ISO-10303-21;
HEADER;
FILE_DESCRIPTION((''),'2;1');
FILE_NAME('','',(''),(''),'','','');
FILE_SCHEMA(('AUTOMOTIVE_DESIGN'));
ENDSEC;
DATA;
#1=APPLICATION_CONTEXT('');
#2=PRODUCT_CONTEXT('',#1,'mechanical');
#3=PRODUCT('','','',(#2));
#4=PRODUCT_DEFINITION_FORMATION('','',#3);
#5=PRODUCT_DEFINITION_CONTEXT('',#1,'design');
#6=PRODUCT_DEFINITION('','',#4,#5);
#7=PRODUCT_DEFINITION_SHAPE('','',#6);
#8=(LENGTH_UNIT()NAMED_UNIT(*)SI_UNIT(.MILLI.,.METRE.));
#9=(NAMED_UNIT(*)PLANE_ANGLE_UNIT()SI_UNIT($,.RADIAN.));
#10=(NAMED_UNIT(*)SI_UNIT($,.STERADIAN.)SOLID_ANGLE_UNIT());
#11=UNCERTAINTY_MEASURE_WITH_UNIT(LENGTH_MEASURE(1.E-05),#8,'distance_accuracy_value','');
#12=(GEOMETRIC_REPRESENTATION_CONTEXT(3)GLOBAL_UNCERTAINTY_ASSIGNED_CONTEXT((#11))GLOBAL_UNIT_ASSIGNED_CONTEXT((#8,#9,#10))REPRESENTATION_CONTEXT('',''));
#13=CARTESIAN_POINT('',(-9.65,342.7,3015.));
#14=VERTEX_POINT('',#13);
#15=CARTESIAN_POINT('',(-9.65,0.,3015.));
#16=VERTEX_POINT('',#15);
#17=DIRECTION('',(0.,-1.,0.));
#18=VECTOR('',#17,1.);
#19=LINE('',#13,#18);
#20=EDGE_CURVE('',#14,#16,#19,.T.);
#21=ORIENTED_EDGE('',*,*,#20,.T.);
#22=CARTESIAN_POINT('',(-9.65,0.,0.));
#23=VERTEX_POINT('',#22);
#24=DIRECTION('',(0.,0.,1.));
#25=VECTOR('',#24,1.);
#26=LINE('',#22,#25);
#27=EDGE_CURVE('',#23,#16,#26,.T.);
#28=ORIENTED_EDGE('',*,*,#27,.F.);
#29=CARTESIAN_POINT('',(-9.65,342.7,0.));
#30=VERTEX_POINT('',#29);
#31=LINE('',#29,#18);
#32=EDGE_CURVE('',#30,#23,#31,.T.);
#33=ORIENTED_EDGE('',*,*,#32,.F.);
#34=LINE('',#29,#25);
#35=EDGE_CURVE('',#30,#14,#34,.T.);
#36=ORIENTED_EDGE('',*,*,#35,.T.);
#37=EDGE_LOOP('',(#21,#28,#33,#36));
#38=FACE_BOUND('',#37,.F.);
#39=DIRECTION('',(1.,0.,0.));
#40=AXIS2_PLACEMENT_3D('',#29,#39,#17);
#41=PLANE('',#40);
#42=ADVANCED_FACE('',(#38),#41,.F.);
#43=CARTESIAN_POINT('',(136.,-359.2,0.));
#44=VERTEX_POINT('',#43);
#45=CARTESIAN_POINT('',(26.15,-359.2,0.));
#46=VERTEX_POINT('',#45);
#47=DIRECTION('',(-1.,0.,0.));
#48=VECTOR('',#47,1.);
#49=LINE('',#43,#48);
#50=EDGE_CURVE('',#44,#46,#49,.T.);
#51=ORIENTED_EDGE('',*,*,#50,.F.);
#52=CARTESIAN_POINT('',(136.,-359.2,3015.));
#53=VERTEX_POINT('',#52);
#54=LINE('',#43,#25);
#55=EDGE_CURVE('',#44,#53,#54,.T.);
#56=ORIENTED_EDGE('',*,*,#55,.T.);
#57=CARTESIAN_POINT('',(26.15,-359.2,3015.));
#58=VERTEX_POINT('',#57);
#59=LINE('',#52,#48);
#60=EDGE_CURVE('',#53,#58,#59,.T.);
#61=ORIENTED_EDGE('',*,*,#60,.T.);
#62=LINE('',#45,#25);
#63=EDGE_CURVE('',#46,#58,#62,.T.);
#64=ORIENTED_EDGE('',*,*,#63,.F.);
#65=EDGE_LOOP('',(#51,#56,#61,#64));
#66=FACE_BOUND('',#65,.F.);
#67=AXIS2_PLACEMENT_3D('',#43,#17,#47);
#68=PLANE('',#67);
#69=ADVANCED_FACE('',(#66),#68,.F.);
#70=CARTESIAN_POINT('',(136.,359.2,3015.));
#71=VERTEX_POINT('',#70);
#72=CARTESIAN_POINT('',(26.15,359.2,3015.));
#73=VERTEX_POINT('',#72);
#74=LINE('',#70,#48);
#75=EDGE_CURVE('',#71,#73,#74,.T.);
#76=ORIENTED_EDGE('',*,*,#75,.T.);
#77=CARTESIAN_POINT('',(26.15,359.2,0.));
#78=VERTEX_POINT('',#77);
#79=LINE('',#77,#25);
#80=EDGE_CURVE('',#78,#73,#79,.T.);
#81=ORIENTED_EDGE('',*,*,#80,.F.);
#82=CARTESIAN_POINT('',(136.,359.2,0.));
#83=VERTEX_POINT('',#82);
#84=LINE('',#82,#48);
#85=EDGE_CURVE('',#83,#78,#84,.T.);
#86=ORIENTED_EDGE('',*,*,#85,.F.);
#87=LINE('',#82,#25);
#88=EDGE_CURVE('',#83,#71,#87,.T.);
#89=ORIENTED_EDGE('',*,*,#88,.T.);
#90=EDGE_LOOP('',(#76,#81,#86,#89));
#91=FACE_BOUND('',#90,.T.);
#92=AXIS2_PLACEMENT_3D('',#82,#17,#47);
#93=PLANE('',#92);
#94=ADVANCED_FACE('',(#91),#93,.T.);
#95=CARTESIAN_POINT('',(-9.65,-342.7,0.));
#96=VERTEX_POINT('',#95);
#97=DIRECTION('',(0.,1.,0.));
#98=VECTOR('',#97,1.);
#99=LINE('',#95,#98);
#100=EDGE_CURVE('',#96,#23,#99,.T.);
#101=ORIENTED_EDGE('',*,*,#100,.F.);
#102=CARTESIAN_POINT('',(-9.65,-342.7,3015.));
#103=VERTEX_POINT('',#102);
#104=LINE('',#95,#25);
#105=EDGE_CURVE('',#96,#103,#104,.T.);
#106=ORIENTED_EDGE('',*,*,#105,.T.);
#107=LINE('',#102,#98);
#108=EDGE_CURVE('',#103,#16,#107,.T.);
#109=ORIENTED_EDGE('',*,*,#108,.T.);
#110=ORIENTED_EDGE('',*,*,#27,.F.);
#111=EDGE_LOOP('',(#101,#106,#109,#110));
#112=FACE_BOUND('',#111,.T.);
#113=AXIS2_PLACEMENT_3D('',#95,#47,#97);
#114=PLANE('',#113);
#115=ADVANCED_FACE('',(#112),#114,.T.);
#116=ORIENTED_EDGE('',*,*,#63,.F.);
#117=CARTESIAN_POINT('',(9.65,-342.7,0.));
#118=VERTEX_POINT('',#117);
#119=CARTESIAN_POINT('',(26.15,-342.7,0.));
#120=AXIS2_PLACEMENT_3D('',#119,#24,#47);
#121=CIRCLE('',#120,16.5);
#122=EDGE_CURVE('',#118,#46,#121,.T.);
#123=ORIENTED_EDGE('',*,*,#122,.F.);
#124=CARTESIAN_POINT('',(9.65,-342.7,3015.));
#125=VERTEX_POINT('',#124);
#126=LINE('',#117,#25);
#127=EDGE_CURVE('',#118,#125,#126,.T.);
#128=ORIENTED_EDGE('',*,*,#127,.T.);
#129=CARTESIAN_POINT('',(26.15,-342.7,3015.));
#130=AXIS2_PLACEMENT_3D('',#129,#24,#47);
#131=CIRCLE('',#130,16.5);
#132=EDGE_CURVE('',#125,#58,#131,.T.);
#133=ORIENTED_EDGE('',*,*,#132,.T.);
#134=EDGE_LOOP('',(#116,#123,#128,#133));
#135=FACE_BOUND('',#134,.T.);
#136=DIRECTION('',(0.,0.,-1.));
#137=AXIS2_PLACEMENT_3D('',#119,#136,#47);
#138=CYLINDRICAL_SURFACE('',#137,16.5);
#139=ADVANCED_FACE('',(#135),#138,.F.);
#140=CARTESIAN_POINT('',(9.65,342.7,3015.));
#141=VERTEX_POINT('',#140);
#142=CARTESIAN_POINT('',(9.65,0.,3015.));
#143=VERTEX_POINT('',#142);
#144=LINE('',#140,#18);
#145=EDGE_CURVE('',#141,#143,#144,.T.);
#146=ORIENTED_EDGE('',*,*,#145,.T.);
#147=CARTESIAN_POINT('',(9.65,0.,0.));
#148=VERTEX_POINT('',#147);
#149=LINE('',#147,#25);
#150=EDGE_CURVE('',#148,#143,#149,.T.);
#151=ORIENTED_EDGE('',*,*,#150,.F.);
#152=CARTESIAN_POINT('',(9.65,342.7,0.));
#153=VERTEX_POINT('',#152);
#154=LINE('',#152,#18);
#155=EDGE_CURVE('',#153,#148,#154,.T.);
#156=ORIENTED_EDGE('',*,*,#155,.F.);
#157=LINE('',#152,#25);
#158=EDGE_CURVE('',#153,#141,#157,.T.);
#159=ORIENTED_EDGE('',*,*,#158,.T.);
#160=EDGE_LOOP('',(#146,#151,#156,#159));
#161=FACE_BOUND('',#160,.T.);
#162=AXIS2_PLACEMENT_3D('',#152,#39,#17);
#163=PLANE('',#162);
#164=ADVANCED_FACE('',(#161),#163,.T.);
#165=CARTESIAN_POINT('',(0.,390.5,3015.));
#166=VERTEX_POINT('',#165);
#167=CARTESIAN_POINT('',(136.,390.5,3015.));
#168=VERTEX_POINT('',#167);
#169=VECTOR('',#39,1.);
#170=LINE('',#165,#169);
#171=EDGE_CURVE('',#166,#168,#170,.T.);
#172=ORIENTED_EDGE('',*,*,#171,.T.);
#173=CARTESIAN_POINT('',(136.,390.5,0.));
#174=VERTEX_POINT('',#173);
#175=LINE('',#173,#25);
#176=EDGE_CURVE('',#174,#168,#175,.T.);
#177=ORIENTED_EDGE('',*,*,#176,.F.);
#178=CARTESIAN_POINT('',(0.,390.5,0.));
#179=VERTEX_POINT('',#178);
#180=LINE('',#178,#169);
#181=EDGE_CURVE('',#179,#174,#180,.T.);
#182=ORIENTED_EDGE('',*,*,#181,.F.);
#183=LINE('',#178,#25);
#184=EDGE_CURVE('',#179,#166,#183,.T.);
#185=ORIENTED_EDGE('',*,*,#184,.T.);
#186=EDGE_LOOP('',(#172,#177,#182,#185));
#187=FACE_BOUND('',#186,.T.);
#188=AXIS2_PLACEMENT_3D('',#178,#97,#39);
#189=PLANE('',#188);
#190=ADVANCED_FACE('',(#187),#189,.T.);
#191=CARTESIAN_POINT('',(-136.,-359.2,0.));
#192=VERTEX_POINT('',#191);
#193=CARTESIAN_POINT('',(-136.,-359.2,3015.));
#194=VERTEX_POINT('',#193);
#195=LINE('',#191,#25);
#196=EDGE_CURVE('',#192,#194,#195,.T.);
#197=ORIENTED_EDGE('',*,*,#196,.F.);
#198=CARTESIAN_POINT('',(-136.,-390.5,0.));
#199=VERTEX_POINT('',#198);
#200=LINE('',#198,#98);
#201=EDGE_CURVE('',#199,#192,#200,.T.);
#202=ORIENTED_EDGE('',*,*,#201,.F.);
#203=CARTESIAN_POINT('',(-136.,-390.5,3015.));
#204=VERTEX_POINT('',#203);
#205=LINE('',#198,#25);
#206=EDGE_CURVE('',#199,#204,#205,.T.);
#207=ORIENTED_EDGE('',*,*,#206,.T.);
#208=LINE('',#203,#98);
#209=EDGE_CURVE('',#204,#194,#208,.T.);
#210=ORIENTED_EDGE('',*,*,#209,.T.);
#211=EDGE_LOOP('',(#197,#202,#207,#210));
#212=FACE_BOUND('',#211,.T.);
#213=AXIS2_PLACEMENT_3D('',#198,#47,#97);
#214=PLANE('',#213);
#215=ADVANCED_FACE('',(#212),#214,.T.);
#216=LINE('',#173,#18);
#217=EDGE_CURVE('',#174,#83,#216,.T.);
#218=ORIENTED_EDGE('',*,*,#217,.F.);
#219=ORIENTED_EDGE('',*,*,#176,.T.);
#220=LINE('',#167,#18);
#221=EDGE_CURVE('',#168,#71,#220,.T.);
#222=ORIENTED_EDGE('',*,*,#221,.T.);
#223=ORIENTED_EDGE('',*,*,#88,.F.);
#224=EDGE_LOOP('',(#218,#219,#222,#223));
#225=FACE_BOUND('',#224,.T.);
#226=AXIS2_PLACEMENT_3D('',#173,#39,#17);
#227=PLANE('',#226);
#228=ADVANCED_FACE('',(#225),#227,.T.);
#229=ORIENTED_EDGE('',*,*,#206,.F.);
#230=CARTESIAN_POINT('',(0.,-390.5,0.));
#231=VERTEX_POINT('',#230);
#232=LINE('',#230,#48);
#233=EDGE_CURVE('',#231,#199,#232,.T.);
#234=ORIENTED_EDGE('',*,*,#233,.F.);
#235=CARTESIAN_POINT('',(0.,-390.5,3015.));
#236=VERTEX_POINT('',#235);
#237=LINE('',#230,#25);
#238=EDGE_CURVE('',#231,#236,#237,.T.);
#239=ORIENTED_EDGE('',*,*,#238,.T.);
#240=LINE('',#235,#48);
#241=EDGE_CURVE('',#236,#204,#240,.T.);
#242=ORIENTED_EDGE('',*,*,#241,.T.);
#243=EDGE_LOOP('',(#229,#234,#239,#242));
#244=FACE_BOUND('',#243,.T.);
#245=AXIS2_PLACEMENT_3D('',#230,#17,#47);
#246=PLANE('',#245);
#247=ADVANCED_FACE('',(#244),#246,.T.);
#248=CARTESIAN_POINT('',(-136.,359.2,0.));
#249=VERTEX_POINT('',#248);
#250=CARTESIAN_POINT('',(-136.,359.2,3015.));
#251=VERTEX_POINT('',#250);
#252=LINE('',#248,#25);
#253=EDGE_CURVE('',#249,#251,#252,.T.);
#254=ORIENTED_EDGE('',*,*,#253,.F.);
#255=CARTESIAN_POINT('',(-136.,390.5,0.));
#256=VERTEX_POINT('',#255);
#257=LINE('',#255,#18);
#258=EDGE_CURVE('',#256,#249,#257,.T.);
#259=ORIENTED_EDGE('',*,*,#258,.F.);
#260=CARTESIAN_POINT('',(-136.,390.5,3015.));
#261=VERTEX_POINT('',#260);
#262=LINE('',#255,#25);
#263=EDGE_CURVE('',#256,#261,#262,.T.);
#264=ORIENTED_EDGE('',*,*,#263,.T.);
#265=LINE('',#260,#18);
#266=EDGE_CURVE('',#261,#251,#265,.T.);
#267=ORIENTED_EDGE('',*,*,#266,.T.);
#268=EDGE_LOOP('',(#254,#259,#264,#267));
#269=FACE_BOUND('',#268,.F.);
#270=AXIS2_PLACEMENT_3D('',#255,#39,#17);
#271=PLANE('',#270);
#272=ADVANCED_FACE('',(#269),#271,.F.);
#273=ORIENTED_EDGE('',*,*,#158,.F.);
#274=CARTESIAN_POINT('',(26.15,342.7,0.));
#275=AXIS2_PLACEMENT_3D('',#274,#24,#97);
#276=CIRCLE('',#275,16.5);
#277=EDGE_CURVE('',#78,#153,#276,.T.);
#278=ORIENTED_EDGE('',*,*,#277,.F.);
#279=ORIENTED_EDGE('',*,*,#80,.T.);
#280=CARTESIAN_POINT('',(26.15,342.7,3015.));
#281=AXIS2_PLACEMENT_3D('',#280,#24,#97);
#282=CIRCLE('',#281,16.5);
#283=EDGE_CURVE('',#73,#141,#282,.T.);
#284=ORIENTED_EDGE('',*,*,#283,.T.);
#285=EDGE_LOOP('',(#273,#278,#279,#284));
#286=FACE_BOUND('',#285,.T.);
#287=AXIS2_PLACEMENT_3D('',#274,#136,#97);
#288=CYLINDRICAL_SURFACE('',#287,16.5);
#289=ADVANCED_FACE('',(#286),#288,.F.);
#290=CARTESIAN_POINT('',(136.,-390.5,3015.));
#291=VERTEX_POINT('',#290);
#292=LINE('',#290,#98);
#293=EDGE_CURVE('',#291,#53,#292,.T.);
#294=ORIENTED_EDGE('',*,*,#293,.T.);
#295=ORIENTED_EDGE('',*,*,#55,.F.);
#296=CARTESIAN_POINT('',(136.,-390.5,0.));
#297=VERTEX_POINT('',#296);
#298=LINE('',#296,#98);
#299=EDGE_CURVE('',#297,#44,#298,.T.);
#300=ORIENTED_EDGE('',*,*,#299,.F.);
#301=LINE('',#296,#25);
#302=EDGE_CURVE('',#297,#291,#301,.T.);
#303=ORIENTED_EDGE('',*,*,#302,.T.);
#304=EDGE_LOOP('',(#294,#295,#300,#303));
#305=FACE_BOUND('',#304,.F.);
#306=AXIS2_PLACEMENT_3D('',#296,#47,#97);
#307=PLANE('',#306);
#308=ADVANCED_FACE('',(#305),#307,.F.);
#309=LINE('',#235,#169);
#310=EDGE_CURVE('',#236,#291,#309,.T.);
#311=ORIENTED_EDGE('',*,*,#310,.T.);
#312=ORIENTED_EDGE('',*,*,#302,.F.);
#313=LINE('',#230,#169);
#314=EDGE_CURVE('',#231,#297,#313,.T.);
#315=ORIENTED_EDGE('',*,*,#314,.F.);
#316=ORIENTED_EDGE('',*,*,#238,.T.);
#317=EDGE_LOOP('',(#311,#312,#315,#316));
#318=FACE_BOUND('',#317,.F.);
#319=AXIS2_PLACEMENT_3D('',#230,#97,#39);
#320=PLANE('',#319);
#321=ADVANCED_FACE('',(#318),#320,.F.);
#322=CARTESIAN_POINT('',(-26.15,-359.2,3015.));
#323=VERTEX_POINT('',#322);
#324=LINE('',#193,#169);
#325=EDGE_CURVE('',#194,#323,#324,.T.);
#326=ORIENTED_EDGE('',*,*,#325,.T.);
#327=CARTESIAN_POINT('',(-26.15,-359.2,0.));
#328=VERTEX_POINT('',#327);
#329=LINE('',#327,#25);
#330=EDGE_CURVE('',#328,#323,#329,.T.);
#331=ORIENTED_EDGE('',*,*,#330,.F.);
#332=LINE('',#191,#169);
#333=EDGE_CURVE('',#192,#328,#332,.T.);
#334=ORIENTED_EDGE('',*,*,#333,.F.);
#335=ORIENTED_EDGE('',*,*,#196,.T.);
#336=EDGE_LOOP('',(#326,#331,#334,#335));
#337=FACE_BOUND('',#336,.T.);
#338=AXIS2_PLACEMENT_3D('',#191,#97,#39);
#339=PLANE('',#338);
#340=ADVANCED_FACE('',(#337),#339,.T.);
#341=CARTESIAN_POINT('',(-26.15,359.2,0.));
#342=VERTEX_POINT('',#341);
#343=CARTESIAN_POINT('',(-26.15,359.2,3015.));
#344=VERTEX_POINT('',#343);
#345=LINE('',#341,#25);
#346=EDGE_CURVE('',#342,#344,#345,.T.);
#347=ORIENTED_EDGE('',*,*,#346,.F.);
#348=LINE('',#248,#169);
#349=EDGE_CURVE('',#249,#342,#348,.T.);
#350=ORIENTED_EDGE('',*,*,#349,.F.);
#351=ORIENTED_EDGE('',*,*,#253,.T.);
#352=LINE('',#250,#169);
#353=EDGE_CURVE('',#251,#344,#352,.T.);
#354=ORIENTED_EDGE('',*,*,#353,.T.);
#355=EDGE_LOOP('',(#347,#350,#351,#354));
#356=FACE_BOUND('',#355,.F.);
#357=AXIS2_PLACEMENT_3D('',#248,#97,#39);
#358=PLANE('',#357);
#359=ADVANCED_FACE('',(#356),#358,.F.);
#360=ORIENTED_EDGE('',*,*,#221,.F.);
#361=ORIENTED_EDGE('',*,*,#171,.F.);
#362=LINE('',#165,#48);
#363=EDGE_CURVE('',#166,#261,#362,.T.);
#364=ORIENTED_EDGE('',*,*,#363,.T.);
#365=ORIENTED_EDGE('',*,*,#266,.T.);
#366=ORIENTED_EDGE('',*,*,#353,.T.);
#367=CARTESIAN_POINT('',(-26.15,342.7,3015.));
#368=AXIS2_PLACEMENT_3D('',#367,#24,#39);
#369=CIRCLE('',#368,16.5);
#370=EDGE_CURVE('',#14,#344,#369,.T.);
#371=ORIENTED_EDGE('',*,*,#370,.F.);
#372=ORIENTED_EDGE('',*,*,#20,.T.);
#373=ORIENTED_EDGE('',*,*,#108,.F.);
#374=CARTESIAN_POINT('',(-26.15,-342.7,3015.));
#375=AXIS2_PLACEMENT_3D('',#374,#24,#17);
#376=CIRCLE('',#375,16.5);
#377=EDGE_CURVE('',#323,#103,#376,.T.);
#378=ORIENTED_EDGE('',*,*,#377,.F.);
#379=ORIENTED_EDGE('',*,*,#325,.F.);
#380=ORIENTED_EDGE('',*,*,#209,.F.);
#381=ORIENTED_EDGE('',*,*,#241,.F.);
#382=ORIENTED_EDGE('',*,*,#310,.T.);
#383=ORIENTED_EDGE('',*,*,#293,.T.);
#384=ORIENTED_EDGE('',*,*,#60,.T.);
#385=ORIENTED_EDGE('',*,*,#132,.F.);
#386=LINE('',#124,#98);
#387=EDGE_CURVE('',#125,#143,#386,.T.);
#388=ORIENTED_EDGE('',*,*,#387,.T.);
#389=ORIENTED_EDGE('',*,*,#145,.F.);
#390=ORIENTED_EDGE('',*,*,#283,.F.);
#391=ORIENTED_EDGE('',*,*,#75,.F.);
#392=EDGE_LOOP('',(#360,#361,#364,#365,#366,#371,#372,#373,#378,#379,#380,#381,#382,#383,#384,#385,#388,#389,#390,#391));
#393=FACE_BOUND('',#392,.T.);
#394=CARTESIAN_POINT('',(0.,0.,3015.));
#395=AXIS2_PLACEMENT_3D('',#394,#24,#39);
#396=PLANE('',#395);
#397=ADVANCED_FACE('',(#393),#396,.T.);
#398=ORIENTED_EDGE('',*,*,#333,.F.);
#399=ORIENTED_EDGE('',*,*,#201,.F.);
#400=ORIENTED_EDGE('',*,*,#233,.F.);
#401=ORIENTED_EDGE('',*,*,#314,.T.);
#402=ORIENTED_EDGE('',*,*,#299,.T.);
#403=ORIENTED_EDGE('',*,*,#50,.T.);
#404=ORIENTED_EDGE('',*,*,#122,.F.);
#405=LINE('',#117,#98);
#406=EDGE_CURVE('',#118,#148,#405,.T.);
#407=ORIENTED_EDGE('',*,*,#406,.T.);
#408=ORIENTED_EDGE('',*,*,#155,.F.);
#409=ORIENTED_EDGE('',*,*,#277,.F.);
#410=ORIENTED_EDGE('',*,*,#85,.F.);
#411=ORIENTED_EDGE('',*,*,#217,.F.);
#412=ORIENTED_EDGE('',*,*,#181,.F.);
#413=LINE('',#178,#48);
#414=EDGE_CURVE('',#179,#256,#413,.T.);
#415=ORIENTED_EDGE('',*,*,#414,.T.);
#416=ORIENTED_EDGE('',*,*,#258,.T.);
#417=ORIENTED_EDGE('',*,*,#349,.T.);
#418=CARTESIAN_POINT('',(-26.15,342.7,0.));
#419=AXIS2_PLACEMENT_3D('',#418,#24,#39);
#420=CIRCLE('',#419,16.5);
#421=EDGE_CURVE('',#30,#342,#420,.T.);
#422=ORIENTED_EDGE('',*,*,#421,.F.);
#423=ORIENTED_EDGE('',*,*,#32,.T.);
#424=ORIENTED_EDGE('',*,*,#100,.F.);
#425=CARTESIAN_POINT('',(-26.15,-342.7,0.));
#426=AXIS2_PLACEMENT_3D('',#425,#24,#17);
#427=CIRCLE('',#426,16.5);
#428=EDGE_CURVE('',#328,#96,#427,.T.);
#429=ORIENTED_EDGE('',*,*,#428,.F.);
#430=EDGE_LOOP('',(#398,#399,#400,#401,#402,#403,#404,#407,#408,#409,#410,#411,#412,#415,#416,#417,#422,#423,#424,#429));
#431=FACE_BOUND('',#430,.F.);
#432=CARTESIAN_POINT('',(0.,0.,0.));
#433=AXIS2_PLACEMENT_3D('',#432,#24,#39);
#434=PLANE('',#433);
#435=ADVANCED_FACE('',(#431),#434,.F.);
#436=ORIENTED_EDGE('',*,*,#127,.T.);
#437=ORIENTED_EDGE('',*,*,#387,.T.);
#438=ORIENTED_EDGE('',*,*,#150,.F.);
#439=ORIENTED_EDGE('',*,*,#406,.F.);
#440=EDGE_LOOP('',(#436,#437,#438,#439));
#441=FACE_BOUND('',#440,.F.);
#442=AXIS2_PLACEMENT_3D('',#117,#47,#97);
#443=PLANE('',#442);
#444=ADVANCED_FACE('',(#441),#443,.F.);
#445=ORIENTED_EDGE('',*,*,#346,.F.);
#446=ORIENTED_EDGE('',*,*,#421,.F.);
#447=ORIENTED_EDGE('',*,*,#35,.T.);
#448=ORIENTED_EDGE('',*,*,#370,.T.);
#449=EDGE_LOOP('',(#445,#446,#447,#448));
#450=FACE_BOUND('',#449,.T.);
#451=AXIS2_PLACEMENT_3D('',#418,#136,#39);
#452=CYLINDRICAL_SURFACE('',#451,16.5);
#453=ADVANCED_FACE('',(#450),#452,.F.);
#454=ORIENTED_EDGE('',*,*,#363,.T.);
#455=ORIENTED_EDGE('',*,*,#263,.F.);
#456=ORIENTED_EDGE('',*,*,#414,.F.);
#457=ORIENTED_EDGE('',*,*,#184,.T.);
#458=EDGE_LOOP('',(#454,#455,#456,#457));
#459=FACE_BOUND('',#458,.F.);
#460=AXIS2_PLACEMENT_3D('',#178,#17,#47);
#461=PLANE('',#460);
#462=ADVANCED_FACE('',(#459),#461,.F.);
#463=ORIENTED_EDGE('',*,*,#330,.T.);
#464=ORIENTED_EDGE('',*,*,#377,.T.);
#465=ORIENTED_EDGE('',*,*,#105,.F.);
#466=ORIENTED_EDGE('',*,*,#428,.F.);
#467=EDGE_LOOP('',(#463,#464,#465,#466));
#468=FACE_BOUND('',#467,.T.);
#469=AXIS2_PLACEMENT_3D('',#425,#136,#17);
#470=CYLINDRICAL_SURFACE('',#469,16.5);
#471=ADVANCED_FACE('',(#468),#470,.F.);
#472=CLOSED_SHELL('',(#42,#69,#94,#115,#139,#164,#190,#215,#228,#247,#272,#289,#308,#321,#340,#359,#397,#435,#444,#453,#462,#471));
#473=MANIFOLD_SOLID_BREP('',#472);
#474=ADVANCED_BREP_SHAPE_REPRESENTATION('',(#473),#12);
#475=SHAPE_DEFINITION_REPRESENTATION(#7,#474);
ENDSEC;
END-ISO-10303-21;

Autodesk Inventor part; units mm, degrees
ref_plane "YZ Plane" through (0, 0, 0) normal (1, 0, 0) x (0, 1, 0)
ref_plane "Start plane" through (0, 0, 0) normal (0, 0, 1) x (1, 0, 0)
ref_plane "End plane" through (0, 0, 3015) normal (0, 0, 1) x (1, 0, 0)
sketch "Sketch" plane through (0, 0, 0) normal (0, 0, 1) x (1, 0, 0)
  line L0 (-136, -390.5) -> (-136, -359.2)
  line L1 (-136, -359.2) -> (-26.15, -359.2)
  line L2 (-9.65, -342.7) -> (-9.65, 0)
  line L3 (-9.65, 0) -> (0, 0) construction
  line L4 (0, 0) -> (0, -390.5) construction
  line L5 (0, -390.5) -> (-136, -390.5)
  line L6 (-60, 0) -> (80, 0) construction
  line L7 (0, -60) -> (0, 80) construction
  line L8 (136, -390.5) -> (136, -359.2)
  line L9 (136, -359.2) -> (26.15, -359.2)
  line L10 (9.65, -342.7) -> (9.65, 0)
  line L11 (9.65, 0) -> (0, 0) construction
  line L12 (0, -390.5) -> (136, -390.5)
  line L13 (-136, 390.5) -> (-136, 359.2)
  line L14 (-136, 359.2) -> (-26.15, 359.2)
  line L15 (-9.65, 342.7) -> (-9.65, 0)
  line L16 (0, 390.5) -> (-136, 390.5)
  line L17 (136, 390.5) -> (136, 359.2)
  line L18 (136, 359.2) -> (26.15, 359.2)
  line L19 (0, 390.5) -> (136, 390.5)
  line L20 (9.65, 342.7) -> (9.65, 0)
  arc A0 (-9.65, 342.7) -> (-26.15, 359.2) centre (-26.15, 342.7) ccw
  arc A1 (26.15, 359.2) -> (9.65, 342.7) centre (26.15, 342.7) ccw
  arc A2 (9.65, -342.7) -> (26.15, -359.2) centre (26.15, -342.7) ccw
  arc A3 (-26.15, -359.2) -> (-9.65, -342.7) centre (-26.15, -342.7) ccw
  line L21 (0, 108) -> (0, -88) construction
  line L22 (-88, 0) -> (108, 0) construction
  point P0 (-9.65, -359.2)
  point P1 (9.65, -359.2)
  point P2 (-9.65, 359.2)
  point P3 (9.65, 359.2)
  dimension "d1" = 390.5
  dimension "d2" = 31.3
  dimension "d3" = 136
  dimension "d4" = 9.65
  dimension "d10" = 16.5
extrude "Body" add sketch "Sketch" along normal up to surface (3015 mm away) from surface at 0
sketch "Sketch4" plane through (0, 0, 0) normal (0, 0, 1) x (1, 0, 0)
  line L0 (0, 0) -> (10, 0)
ref_plane "Work Plane3" through (0, 0, 0) normal (0, -1, 0) x (1, 0, 0)
sketch "Sketch5" plane through (0, 0, 0) normal (0, -1, 0) x (1, 0, 0)
  line L0 (-2, 0) -> (12, 0) projected
  line L1 (-2, 3015) -> (12, 3015) projected
  dimension "d14" = 3015
equation "\"d1\" = 0.5 * G_H"
equation "\"d2\" = G_T1"
equation "\"d3\" = 0.5 * G_W"
equation "\"d4\" = 0.5 * G_T"
equation "\"d10\" = G_IR"
equation "\"d5\" = G_L"
equation "\"G_W\" = 272"
equation "\"G_H\" = 781"
equation "\"G_T\" = 19.3"
equation "\"G_T1\" = 31.3"
equation "\"G_IR\" = 16.5"
equation "\"G_L\" = d14"
equation "\"G_OFFSET_START\" = 0"
equation "\"G_OFFSET_END\" = 0"
equation "\"d12\" = G_OFFSET_END + B_L"
equation "\"B_L\" = 3015"
properties part number "AS 3679-1990 - 760 UB - 244 - 3015" material "Steel, Mild"
